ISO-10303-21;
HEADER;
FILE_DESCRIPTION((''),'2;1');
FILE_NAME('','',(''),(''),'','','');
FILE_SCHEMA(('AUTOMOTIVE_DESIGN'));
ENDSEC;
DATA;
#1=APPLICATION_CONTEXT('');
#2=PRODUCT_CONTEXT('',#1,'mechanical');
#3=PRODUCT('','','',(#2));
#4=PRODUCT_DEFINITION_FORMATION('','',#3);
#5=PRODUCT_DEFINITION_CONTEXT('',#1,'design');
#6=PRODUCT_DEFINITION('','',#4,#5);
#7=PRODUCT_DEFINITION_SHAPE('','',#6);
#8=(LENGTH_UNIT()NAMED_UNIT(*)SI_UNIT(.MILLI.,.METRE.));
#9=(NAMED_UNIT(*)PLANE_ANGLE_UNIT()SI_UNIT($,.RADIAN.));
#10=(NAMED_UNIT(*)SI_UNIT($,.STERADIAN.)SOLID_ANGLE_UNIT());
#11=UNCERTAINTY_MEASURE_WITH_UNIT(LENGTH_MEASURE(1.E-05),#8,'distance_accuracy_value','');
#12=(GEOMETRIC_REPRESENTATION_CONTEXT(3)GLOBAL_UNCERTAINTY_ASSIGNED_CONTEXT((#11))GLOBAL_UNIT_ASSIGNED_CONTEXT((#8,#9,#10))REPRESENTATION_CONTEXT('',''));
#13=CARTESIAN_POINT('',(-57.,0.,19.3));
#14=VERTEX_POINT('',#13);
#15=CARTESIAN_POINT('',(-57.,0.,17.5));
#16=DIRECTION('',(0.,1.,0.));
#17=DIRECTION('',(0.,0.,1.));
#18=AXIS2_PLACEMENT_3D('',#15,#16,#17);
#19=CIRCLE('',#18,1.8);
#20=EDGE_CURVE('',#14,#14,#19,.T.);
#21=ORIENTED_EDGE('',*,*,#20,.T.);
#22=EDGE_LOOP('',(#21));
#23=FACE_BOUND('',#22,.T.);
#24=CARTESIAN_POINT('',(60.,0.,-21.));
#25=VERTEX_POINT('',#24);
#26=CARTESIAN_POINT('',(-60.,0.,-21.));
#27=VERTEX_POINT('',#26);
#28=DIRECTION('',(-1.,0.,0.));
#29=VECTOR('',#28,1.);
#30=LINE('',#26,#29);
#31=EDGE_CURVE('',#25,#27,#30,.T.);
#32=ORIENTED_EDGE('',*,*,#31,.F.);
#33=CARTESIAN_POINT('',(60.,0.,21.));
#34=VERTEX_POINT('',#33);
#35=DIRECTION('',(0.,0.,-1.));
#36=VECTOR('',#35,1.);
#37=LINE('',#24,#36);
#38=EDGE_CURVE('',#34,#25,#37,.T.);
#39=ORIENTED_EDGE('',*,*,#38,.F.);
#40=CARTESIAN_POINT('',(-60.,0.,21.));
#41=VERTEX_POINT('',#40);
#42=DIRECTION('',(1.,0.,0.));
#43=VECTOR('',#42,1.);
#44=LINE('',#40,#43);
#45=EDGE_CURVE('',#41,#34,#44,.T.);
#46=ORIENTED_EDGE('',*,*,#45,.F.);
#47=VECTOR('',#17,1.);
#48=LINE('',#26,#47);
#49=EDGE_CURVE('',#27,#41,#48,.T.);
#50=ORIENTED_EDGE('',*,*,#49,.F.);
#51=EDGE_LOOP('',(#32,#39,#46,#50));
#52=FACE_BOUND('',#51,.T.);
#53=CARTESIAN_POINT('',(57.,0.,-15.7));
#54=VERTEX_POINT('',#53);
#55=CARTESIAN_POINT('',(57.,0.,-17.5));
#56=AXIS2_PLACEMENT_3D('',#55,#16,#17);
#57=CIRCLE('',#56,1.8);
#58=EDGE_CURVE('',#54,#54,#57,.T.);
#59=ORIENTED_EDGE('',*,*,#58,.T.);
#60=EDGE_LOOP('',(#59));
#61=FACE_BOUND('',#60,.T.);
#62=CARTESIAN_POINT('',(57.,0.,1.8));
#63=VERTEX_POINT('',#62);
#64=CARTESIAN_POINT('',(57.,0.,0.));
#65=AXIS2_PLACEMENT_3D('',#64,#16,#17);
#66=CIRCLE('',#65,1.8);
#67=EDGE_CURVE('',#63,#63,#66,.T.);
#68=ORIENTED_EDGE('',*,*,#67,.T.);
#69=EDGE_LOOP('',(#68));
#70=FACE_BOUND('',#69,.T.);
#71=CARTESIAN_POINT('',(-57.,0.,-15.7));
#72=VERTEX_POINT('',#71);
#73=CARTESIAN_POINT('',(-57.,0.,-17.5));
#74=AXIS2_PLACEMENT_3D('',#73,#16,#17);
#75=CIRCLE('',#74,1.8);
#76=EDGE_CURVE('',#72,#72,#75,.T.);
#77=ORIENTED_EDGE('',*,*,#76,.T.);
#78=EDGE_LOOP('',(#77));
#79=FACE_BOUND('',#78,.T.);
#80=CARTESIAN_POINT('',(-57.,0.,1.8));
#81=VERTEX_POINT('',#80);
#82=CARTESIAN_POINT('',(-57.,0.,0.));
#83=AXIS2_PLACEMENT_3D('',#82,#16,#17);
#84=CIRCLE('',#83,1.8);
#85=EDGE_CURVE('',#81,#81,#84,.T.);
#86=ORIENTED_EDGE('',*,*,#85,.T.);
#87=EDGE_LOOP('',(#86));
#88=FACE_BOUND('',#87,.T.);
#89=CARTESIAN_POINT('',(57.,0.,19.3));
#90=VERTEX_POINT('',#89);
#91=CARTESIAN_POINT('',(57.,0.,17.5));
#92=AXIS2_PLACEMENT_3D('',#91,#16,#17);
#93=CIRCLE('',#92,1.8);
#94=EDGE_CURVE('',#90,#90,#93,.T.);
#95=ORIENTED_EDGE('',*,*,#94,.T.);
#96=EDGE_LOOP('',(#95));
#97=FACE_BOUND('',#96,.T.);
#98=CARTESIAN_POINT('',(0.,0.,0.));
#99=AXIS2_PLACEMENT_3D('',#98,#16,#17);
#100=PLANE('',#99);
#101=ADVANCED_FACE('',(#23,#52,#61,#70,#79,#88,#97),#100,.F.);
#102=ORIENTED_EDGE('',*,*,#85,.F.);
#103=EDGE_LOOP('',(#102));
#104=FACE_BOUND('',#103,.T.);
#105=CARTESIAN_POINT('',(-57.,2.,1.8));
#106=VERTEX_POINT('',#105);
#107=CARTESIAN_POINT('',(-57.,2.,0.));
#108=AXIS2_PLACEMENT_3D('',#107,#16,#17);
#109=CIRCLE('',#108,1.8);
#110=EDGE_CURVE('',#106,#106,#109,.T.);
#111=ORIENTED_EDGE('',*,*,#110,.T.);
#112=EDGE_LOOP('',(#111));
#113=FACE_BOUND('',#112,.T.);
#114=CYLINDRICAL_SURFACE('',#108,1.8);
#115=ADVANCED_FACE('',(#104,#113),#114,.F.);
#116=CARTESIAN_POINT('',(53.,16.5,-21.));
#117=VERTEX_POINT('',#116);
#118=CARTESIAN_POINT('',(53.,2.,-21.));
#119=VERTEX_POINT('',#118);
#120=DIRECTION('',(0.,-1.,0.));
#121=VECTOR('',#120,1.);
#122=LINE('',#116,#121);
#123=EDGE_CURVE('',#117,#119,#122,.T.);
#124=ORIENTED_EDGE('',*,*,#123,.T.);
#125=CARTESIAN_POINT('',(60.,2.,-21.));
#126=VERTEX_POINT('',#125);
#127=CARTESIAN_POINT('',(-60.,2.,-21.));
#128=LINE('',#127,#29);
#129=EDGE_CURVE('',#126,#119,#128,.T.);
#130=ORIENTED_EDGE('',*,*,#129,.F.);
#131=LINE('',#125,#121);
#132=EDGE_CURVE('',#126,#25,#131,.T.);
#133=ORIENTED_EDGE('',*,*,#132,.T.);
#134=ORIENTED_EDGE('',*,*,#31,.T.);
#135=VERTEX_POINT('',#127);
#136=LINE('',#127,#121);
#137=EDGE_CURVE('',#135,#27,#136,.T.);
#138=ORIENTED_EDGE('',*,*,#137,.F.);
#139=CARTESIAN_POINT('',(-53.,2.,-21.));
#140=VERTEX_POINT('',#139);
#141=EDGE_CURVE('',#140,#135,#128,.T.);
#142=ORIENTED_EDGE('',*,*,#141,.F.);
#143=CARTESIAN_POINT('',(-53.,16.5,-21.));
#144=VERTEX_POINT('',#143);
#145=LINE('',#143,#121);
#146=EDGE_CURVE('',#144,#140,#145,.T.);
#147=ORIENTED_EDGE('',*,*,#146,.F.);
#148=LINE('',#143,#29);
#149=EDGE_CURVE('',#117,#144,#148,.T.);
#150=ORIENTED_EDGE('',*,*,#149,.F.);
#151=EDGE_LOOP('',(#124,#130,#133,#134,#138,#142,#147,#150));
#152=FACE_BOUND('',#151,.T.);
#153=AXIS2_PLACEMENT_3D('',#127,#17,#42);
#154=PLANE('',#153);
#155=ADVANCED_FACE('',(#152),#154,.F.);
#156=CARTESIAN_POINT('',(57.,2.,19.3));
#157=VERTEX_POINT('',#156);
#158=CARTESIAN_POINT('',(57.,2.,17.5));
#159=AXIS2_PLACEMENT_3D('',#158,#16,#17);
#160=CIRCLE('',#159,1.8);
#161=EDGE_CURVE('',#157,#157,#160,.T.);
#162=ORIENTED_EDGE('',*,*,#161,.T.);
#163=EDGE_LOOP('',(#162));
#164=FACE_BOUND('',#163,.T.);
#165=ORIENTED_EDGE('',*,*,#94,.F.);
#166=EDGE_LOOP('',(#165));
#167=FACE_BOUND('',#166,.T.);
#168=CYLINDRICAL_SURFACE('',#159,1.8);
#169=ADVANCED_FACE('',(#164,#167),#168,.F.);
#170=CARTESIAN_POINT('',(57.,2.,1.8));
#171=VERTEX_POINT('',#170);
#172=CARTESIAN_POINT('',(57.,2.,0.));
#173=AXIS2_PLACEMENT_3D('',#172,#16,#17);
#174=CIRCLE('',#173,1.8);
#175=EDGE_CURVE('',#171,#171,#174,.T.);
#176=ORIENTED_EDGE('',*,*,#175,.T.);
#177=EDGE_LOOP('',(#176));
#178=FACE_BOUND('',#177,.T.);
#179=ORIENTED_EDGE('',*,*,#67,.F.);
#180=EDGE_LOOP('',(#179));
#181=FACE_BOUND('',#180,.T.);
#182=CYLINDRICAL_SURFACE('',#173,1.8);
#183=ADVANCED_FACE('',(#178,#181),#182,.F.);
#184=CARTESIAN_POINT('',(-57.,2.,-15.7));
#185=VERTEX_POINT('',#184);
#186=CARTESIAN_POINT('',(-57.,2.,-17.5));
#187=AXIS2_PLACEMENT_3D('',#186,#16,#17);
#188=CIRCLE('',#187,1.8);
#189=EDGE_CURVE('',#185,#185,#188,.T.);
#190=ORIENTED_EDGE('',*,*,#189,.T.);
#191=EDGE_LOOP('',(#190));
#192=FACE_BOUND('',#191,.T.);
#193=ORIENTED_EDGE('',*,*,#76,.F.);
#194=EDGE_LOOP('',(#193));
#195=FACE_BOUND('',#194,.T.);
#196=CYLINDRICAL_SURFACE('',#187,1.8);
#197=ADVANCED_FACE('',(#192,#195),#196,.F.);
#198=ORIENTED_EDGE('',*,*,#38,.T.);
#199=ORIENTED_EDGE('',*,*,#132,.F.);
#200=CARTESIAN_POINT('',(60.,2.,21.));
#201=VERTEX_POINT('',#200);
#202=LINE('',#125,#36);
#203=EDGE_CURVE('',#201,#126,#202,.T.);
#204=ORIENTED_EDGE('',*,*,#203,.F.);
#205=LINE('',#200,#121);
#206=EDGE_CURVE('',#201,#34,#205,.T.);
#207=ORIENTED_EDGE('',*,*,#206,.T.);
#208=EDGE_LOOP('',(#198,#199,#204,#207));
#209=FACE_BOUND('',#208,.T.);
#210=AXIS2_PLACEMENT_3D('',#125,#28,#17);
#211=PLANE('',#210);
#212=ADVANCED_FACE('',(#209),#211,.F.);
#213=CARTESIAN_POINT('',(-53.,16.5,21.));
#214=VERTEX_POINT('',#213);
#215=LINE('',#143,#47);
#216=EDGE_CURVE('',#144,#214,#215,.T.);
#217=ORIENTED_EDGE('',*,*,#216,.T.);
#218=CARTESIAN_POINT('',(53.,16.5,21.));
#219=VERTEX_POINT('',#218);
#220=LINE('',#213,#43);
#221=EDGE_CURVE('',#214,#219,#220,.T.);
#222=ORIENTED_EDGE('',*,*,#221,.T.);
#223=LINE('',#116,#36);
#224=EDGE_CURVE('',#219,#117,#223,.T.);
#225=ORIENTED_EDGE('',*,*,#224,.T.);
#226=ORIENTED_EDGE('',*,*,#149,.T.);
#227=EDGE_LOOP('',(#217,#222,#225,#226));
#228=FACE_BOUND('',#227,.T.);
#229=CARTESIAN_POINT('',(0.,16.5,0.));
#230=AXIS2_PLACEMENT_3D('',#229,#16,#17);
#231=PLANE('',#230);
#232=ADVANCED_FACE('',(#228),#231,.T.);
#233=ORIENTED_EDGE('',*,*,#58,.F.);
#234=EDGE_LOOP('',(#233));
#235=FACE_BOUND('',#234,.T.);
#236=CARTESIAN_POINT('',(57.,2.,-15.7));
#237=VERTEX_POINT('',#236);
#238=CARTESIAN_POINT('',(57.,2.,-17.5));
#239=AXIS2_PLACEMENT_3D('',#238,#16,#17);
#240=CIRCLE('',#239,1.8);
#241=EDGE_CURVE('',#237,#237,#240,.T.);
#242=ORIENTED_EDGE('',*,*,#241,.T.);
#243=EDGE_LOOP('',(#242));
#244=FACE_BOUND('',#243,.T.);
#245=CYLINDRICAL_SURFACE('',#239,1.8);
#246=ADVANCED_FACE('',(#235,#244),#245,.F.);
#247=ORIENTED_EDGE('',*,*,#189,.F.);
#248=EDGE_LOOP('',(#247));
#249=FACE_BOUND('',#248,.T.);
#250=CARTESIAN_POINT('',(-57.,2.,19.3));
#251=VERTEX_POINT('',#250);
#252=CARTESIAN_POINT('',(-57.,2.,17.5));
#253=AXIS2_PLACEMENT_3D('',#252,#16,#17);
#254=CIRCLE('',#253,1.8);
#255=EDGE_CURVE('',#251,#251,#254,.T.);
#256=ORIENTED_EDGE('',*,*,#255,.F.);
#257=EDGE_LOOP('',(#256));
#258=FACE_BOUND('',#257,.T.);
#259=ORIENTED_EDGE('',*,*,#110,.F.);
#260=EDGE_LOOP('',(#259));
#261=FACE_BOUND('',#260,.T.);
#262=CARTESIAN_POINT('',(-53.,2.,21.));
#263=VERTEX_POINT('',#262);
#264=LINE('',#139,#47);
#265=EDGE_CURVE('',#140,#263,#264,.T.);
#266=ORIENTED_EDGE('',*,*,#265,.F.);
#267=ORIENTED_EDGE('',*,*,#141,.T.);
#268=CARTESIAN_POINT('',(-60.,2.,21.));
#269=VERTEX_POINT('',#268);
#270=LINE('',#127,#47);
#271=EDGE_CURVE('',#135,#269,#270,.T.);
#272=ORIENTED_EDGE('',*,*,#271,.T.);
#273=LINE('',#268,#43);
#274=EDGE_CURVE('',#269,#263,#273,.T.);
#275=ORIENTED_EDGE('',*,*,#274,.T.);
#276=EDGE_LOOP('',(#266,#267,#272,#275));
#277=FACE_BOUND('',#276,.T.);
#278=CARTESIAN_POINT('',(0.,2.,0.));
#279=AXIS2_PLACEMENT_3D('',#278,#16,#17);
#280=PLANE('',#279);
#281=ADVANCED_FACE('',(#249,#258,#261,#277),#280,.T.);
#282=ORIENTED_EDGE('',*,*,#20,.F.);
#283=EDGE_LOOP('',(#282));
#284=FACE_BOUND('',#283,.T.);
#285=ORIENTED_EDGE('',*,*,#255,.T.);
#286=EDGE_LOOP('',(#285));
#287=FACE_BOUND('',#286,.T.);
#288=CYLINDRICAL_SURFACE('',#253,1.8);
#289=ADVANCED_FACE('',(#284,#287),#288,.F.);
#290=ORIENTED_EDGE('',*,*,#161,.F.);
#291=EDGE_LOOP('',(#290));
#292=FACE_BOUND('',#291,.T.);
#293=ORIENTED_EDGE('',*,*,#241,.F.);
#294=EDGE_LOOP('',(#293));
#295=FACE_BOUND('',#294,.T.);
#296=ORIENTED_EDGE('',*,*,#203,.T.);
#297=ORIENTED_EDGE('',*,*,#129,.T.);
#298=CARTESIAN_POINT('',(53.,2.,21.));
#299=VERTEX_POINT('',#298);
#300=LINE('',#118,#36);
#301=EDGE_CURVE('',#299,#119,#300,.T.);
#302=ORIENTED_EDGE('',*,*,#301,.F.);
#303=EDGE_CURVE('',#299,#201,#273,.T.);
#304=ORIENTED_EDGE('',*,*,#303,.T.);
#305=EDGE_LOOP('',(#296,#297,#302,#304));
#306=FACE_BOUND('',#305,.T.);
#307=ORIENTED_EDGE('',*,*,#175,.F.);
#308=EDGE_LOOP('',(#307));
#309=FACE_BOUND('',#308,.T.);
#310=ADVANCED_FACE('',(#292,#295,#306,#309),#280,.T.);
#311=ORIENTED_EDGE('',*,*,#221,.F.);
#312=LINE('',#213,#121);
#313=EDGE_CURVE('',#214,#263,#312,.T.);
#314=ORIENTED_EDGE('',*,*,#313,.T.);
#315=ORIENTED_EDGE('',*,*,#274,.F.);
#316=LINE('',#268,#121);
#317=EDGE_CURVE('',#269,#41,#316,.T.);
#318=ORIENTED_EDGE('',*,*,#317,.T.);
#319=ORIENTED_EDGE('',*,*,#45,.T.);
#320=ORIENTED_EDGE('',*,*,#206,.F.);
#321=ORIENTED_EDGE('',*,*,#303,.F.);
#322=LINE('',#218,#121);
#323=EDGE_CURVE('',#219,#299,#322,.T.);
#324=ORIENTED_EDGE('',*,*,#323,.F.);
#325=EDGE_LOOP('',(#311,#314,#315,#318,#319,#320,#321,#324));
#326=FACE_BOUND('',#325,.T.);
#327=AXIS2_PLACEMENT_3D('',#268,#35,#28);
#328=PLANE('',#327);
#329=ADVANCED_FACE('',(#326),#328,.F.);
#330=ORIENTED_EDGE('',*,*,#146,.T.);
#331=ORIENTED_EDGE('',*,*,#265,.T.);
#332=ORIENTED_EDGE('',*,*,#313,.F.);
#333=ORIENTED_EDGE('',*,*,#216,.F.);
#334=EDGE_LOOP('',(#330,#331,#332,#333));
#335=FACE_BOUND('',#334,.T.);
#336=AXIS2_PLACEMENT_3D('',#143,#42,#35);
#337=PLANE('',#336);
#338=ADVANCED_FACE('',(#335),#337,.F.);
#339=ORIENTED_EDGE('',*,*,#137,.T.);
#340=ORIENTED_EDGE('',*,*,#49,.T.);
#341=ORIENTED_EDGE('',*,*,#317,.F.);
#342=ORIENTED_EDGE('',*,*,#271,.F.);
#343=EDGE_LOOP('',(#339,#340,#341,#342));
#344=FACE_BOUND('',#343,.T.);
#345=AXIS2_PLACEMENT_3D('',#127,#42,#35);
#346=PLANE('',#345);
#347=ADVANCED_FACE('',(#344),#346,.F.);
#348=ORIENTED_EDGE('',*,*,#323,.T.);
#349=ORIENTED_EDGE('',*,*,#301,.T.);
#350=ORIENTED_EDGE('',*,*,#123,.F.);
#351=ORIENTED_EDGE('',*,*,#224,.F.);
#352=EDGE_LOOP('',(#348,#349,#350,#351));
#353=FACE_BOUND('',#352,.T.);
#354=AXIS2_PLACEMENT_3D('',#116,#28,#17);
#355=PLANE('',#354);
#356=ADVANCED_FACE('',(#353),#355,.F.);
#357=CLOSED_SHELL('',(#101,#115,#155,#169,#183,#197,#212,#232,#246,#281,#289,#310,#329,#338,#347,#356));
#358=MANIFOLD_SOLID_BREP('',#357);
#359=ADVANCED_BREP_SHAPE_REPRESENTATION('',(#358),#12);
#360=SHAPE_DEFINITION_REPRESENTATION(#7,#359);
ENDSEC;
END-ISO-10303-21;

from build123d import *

# Parameters (mm, degrees)
SKETCH_1_W                  = 120
SKETCH_1_H                  = 42
EXTRUDE_1_DEPTH             = 2
SKETCH_2_W                  = 106
SKETCH_2_H                  = 42
EXTRUDE_2_DEPTH             = 14.5
HOLE_WIZARD_M3_1_AT_2_COUNT = 2
HOLE_WIZARD_M3_1_AT_2_PITCH = 17.5


with BuildPart() as part:
    # ｽｹｯﾁ1 → ﾎﾞｽ - 押し出し1 (new body)
    with BuildSketch(Plane(origin=(0, 0, 0), x_dir=(1, 0, 0), z_dir=(0, 1, 0))):
        Rectangle(SKETCH_1_W, SKETCH_1_H)
    extrude(amount=EXTRUDE_1_DEPTH)

    # ｽｹｯﾁ2 → ﾎﾞｽ - 押し出し2 (add)
    with BuildSketch(Plane(origin=(0, 2, 0), x_dir=(1, 0, 0), z_dir=(0, 1, 0))):
        Rectangle(SKETCH_2_W, SKETCH_2_H)
    extrude(amount=EXTRUDE_2_DEPTH)

    # ｽｹｯﾁ4 → M3 すきま穴1 (revolve, cut)
    with BuildSketch(Plane(origin=(-57, 2, -17.5), x_dir=(0, 0, 1), z_dir=(1, 0, 0))):
        Polygon((0, 0), (0, 6.081549114), (1.8, 5), (1.8, 0), align=None)
    hole_wizard_m3_1 = revolve(axis=Axis((-57, 8.35, -17.5), (0, -1, 0)), mode=Mode.SUBTRACT)

    # M3 すきま穴1 at 2: M3 すきま穴1 ×2
    with Locations(*[(0, 0, i * HOLE_WIZARD_M3_1_AT_2_PITCH) for i in range(1, HOLE_WIZARD_M3_1_AT_2_COUNT)]):
        add(hole_wizard_m3_1, mode=Mode.SUBTRACT)

    # ﾐﾗｰ1: M3 すきま穴1 across plane
    add(hole_wizard_m3_1.mirror(Plane.XY), mode=Mode.SUBTRACT)

    # ﾐﾗｰ1 copy 1 sketch → ﾐﾗｰ1 copy 1 (revolve, cut)
    with BuildSketch(Plane(origin=(-57, 2, 0), x_dir=(0, 0, -1), z_dir=(1, 0, 0))):
        Polygon((0, 0), (0, -6.081549114), (1.8, -5), (1.8, 0), align=None)
    revolve(axis=Axis((-57, 8.35, 0), (0, 1, 0)), mode=Mode.SUBTRACT)

    # ﾐﾗｰ2: M3 すきま穴1 across plane
    add(hole_wizard_m3_1.mirror(Plane(origin=(0, 0, 0), x_dir=(0, 0, 1), z_dir=(1, 0, 0))), mode=Mode.SUBTRACT)

    # ﾐﾗｰ2 copy 1 sketch → ﾐﾗｰ2 copy 1 (revolve, cut)
    with BuildSketch(Plane(origin=(57, 2, 0), x_dir=(0, 0, 1), z_dir=(-1, 0, 0))):
        Polygon((0, 0), (0, -6.081549114), (1.8, -5), (1.8, 0), align=None)
    revolve(axis=Axis((57, 8.35, 0), (0, 1, 0)), mode=Mode.SUBTRACT)

    # ﾐﾗｰ2 copy 2 sketch → ﾐﾗｰ2 copy 2 (revolve, cut)
    with BuildSketch(Plane(origin=(57, 2, 17.5), x_dir=(0, 0, -1), z_dir=(-1, 0, 0))):
        Polygon((0, 0), (0, 6.081549114), (1.8, 5), (1.8, 0), align=None)
    revolve(axis=Axis((57, 8.35, 17.5), (0, -1, 0)), mode=Mode.SUBTRACT)

    # ﾐﾗｰ2 copy 3 sketch → ﾐﾗｰ2 copy 3 (revolve, cut)
    with BuildSketch(Plane(origin=(57, 2, 0), x_dir=(0, 0, -1), z_dir=(-1, 0, 0))):
        Polygon((0, 0), (0, 6.081549114), (1.8, 5), (1.8, 0), align=None)
    revolve(axis=Axis((57, 8.35, 0), (0, -1, 0)), mode=Mode.SUBTRACT)


solid = part.part
